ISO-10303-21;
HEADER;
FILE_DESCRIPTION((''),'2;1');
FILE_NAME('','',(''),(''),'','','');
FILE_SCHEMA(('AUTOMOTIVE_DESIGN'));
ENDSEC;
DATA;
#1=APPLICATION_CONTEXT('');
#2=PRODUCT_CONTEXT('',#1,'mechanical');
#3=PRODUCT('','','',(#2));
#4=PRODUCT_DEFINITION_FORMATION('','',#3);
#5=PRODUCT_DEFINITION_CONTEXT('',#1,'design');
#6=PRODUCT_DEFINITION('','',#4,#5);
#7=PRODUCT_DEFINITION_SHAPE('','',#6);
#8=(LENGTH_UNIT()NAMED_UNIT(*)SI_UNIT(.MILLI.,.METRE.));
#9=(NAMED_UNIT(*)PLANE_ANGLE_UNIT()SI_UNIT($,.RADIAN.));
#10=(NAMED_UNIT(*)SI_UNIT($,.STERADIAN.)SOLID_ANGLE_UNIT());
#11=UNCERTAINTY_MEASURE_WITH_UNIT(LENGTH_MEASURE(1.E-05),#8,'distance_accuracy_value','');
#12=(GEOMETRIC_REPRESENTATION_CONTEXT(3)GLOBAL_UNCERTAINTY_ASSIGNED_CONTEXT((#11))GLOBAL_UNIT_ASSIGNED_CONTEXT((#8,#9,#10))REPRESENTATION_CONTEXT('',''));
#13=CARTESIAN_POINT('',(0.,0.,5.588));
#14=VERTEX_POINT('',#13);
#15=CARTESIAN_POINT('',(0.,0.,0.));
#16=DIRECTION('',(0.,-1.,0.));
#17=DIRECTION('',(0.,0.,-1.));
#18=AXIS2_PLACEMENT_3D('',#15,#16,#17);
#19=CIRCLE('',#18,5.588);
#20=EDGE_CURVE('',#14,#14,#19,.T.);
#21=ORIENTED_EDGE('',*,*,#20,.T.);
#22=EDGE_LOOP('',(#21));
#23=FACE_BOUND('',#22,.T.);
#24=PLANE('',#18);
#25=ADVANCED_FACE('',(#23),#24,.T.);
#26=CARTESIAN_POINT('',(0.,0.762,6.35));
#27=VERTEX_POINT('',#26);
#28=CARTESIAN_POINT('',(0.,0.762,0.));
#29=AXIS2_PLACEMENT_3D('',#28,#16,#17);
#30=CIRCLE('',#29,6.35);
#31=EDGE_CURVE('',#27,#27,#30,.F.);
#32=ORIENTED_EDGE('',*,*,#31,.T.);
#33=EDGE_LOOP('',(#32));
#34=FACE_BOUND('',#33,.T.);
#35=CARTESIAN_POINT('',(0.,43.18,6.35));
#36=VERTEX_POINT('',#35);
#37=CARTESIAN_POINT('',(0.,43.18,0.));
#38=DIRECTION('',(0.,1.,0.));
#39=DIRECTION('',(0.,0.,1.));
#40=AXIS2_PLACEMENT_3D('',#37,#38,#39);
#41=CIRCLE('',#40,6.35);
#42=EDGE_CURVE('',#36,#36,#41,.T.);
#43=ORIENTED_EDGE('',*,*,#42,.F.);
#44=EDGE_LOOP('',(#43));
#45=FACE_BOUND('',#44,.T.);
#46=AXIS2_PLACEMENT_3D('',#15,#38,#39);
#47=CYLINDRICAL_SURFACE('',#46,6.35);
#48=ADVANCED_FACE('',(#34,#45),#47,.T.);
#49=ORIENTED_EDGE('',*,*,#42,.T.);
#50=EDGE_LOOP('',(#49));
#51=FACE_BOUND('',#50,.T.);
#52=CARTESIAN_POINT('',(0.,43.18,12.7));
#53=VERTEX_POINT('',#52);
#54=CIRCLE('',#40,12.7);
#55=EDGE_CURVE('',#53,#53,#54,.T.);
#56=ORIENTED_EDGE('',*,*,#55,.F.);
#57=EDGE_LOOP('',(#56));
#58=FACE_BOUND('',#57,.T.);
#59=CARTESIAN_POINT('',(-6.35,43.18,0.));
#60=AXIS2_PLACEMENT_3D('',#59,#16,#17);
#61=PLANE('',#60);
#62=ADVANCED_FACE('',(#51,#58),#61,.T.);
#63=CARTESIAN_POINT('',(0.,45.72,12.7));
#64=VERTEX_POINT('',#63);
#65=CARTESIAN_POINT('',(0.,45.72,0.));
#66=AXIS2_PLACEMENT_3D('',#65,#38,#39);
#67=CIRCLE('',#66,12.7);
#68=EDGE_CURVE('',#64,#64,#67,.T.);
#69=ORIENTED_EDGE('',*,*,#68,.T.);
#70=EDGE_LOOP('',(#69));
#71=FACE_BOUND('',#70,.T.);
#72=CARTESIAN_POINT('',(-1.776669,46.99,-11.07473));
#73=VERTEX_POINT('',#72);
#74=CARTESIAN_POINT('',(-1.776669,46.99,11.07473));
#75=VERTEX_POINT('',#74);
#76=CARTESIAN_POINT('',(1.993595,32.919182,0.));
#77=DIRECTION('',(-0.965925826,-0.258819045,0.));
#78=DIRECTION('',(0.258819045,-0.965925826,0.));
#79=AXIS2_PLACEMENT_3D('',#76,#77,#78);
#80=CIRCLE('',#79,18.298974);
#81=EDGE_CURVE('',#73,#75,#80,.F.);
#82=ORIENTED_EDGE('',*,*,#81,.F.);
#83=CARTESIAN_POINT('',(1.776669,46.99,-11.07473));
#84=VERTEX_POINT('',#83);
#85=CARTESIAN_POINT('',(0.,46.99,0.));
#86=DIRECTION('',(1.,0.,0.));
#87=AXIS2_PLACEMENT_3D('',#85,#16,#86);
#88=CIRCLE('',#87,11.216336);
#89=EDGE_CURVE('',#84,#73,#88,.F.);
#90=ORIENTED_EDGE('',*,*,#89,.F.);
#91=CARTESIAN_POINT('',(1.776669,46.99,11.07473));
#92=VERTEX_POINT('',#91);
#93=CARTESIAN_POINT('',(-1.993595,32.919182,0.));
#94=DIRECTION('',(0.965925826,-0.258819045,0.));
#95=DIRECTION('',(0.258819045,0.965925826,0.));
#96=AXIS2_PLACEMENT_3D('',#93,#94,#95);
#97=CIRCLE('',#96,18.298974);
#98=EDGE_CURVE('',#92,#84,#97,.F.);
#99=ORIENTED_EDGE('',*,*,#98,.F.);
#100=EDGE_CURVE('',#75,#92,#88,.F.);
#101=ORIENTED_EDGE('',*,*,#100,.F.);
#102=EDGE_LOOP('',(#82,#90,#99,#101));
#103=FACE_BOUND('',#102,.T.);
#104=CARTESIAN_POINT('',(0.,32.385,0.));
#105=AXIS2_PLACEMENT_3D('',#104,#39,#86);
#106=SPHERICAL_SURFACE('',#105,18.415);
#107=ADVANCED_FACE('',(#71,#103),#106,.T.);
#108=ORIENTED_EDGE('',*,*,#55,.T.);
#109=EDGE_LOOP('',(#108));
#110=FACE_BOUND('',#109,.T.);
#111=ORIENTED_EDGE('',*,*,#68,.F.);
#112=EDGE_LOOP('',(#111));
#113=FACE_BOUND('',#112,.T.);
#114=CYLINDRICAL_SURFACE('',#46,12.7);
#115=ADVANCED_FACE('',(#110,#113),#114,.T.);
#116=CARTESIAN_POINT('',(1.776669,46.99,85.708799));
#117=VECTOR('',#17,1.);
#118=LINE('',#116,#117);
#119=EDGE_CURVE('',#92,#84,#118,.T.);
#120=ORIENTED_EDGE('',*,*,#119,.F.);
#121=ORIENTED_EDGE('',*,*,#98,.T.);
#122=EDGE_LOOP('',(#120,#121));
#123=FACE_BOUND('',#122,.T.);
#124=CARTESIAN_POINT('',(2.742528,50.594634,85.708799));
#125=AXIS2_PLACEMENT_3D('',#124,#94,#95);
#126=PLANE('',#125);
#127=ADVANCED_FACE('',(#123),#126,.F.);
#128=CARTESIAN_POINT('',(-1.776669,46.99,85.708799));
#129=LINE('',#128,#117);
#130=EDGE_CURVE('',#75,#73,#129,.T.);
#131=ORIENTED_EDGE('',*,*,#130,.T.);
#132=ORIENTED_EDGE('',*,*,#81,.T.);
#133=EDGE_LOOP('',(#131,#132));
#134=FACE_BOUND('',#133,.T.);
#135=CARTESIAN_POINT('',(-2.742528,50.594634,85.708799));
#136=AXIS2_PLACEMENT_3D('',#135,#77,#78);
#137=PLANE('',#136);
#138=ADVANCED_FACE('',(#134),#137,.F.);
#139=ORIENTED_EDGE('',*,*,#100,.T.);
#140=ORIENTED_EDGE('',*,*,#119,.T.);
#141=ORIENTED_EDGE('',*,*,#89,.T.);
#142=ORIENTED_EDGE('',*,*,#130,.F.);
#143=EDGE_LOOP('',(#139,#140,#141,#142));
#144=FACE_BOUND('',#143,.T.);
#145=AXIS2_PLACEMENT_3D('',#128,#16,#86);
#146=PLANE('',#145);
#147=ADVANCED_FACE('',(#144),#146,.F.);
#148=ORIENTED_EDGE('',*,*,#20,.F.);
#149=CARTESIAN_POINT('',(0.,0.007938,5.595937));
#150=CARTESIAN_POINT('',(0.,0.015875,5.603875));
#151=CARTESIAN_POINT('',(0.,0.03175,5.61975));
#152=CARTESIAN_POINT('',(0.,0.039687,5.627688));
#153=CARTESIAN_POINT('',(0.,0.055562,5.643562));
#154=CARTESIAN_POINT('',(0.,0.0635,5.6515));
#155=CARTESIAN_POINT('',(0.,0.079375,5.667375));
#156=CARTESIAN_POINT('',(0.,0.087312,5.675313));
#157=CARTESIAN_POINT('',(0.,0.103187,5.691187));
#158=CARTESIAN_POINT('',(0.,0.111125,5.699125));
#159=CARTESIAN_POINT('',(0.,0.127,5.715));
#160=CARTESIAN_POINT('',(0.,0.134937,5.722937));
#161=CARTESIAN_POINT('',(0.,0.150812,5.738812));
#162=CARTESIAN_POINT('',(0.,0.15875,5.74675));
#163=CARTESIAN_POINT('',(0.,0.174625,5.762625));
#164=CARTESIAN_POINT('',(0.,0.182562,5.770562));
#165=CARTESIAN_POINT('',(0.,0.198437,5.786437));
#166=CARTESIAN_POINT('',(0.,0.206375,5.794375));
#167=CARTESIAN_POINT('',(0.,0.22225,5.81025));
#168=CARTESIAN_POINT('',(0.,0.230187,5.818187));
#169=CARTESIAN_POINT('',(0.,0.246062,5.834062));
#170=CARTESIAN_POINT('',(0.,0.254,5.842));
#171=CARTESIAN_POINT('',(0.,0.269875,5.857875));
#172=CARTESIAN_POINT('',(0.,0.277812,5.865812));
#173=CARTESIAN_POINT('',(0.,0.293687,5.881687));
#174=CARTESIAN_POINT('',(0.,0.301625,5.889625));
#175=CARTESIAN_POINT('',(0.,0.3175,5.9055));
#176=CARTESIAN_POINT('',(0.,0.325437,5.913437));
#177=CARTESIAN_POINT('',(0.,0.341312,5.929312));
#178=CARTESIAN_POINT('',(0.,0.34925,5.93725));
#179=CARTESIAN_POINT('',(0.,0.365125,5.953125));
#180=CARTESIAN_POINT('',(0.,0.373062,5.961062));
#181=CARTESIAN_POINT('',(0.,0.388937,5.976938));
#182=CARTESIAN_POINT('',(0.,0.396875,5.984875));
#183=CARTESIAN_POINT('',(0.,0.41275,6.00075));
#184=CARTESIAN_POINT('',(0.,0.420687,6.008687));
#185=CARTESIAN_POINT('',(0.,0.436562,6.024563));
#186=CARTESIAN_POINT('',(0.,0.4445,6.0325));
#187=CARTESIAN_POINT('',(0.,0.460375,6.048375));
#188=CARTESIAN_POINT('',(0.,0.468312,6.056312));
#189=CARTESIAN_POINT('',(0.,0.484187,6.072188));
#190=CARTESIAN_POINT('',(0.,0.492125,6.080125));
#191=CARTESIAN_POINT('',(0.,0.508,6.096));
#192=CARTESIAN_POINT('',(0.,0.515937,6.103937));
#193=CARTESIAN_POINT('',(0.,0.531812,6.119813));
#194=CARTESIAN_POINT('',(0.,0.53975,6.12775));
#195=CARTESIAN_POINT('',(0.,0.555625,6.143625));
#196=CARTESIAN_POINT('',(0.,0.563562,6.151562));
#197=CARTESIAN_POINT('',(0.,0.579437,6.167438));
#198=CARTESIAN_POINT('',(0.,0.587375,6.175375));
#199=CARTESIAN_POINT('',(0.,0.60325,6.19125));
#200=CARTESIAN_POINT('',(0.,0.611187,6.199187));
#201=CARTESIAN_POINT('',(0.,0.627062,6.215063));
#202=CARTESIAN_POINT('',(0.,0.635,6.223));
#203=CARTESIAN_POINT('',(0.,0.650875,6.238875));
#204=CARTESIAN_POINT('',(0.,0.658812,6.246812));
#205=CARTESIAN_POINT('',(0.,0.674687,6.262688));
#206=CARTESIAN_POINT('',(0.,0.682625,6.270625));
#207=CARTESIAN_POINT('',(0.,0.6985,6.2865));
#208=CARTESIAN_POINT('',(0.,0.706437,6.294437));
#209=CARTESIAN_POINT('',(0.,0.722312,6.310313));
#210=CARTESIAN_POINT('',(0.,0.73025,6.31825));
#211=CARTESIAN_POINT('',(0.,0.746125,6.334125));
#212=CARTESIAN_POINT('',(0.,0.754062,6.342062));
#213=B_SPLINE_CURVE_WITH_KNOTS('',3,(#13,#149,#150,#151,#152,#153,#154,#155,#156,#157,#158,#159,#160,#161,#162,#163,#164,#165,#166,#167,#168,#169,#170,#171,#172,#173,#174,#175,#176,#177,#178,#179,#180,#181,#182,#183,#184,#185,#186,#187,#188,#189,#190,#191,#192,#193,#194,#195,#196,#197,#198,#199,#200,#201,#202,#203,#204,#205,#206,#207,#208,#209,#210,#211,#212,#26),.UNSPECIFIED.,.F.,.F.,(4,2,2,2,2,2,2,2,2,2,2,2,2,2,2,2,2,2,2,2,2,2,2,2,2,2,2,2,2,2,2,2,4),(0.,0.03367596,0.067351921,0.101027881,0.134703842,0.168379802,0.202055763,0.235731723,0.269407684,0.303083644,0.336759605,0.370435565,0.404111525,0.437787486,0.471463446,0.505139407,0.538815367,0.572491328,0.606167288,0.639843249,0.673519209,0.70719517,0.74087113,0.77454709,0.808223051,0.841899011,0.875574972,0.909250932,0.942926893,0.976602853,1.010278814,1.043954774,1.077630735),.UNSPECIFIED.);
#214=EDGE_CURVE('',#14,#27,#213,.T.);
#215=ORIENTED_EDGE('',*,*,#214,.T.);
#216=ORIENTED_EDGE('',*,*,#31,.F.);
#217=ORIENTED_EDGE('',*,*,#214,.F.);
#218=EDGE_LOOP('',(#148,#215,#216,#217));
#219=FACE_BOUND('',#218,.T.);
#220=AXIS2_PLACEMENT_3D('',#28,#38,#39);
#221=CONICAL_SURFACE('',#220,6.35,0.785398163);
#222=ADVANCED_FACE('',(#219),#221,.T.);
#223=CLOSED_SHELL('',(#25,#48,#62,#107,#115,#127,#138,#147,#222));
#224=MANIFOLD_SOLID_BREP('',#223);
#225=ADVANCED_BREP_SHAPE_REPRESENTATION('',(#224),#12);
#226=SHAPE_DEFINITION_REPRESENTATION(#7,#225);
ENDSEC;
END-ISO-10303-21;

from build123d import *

# Parameters (mm, degrees)
DOME1_FACE_RADIUS       = 12.7
DOME1_HEIGHT            = 5.08
CUT_EXTRUDE2_DEPTH      = 54.881536726
CUT_EXTRUDE2_DEPTH_BACK = 54.881536726
CHAMFER1_SIZE           = 0.762


with BuildPart() as part:
    # Sketch5 → Revolve2 (revolve)
    with BuildSketch(Plane.XY, mode=Mode.PRIVATE) as revolve2_sk:
        Polygon((0, 0), (-6.35, 0), (-6.35, 43.18), (-12.7, 43.18), (-12.7, 45.72), (0, 45.72), (0, 43.18), align=None)
    revolve(revolve2_sk.sketch.rotate(Axis((0, 0, 0), (0, -1, 0)), 270), axis=Axis((0, 0, 0), (0, -1, 0)))

    # Dome1: a dome of height H over a round flat face of radius A is a cap of a sphere of radius (A * A + H * H) / (2 * H)
    dome1_r = (DOME1_FACE_RADIUS * DOME1_FACE_RADIUS + DOME1_HEIGHT * DOME1_HEIGHT) / (2 * DOME1_HEIGHT)
    dome1_base = Plane((0, 45.72, 0), z_dir=(0, 1, 0))
    with Locations(dome1_base.offset(DOME1_HEIGHT - dome1_r)):
        dome1_ball = Sphere(dome1_r, mode=Mode.PRIVATE)
    add(split(dome1_ball, bisect_by=dome1_base, keep=Keep.TOP, mode=Mode.PRIVATE))

    # Sketch7 → Cut-Extrude2 (cut, two sides: drawn at the far end of the back side and taken through both)
    with BuildSketch(Plane.XY.offset(-CUT_EXTRUDE2_DEPTH_BACK)):
        Polygon((-32.713179339, 162.446628615), (-2.742527685, 50.594633903), (-1.776668941, 46.99), (1.776668941, 46.99), (2.742527685, 50.594633903), (32.713179339, 162.446628615), (32.713179339, 394.042040328), (-32.713179339, 394.042040328), align=None)
    extrude(amount=CUT_EXTRUDE2_DEPTH + CUT_EXTRUDE2_DEPTH_BACK, mode=Mode.SUBTRACT)

    # Chamfer1
    chamfer1_edges = [part.edges().sort_by_distance(p)[0] for p in [
        (0, 0, -6.35),
    ]]
    chamfer(chamfer1_edges, length=CHAMFER1_SIZE)


solid = part.part
